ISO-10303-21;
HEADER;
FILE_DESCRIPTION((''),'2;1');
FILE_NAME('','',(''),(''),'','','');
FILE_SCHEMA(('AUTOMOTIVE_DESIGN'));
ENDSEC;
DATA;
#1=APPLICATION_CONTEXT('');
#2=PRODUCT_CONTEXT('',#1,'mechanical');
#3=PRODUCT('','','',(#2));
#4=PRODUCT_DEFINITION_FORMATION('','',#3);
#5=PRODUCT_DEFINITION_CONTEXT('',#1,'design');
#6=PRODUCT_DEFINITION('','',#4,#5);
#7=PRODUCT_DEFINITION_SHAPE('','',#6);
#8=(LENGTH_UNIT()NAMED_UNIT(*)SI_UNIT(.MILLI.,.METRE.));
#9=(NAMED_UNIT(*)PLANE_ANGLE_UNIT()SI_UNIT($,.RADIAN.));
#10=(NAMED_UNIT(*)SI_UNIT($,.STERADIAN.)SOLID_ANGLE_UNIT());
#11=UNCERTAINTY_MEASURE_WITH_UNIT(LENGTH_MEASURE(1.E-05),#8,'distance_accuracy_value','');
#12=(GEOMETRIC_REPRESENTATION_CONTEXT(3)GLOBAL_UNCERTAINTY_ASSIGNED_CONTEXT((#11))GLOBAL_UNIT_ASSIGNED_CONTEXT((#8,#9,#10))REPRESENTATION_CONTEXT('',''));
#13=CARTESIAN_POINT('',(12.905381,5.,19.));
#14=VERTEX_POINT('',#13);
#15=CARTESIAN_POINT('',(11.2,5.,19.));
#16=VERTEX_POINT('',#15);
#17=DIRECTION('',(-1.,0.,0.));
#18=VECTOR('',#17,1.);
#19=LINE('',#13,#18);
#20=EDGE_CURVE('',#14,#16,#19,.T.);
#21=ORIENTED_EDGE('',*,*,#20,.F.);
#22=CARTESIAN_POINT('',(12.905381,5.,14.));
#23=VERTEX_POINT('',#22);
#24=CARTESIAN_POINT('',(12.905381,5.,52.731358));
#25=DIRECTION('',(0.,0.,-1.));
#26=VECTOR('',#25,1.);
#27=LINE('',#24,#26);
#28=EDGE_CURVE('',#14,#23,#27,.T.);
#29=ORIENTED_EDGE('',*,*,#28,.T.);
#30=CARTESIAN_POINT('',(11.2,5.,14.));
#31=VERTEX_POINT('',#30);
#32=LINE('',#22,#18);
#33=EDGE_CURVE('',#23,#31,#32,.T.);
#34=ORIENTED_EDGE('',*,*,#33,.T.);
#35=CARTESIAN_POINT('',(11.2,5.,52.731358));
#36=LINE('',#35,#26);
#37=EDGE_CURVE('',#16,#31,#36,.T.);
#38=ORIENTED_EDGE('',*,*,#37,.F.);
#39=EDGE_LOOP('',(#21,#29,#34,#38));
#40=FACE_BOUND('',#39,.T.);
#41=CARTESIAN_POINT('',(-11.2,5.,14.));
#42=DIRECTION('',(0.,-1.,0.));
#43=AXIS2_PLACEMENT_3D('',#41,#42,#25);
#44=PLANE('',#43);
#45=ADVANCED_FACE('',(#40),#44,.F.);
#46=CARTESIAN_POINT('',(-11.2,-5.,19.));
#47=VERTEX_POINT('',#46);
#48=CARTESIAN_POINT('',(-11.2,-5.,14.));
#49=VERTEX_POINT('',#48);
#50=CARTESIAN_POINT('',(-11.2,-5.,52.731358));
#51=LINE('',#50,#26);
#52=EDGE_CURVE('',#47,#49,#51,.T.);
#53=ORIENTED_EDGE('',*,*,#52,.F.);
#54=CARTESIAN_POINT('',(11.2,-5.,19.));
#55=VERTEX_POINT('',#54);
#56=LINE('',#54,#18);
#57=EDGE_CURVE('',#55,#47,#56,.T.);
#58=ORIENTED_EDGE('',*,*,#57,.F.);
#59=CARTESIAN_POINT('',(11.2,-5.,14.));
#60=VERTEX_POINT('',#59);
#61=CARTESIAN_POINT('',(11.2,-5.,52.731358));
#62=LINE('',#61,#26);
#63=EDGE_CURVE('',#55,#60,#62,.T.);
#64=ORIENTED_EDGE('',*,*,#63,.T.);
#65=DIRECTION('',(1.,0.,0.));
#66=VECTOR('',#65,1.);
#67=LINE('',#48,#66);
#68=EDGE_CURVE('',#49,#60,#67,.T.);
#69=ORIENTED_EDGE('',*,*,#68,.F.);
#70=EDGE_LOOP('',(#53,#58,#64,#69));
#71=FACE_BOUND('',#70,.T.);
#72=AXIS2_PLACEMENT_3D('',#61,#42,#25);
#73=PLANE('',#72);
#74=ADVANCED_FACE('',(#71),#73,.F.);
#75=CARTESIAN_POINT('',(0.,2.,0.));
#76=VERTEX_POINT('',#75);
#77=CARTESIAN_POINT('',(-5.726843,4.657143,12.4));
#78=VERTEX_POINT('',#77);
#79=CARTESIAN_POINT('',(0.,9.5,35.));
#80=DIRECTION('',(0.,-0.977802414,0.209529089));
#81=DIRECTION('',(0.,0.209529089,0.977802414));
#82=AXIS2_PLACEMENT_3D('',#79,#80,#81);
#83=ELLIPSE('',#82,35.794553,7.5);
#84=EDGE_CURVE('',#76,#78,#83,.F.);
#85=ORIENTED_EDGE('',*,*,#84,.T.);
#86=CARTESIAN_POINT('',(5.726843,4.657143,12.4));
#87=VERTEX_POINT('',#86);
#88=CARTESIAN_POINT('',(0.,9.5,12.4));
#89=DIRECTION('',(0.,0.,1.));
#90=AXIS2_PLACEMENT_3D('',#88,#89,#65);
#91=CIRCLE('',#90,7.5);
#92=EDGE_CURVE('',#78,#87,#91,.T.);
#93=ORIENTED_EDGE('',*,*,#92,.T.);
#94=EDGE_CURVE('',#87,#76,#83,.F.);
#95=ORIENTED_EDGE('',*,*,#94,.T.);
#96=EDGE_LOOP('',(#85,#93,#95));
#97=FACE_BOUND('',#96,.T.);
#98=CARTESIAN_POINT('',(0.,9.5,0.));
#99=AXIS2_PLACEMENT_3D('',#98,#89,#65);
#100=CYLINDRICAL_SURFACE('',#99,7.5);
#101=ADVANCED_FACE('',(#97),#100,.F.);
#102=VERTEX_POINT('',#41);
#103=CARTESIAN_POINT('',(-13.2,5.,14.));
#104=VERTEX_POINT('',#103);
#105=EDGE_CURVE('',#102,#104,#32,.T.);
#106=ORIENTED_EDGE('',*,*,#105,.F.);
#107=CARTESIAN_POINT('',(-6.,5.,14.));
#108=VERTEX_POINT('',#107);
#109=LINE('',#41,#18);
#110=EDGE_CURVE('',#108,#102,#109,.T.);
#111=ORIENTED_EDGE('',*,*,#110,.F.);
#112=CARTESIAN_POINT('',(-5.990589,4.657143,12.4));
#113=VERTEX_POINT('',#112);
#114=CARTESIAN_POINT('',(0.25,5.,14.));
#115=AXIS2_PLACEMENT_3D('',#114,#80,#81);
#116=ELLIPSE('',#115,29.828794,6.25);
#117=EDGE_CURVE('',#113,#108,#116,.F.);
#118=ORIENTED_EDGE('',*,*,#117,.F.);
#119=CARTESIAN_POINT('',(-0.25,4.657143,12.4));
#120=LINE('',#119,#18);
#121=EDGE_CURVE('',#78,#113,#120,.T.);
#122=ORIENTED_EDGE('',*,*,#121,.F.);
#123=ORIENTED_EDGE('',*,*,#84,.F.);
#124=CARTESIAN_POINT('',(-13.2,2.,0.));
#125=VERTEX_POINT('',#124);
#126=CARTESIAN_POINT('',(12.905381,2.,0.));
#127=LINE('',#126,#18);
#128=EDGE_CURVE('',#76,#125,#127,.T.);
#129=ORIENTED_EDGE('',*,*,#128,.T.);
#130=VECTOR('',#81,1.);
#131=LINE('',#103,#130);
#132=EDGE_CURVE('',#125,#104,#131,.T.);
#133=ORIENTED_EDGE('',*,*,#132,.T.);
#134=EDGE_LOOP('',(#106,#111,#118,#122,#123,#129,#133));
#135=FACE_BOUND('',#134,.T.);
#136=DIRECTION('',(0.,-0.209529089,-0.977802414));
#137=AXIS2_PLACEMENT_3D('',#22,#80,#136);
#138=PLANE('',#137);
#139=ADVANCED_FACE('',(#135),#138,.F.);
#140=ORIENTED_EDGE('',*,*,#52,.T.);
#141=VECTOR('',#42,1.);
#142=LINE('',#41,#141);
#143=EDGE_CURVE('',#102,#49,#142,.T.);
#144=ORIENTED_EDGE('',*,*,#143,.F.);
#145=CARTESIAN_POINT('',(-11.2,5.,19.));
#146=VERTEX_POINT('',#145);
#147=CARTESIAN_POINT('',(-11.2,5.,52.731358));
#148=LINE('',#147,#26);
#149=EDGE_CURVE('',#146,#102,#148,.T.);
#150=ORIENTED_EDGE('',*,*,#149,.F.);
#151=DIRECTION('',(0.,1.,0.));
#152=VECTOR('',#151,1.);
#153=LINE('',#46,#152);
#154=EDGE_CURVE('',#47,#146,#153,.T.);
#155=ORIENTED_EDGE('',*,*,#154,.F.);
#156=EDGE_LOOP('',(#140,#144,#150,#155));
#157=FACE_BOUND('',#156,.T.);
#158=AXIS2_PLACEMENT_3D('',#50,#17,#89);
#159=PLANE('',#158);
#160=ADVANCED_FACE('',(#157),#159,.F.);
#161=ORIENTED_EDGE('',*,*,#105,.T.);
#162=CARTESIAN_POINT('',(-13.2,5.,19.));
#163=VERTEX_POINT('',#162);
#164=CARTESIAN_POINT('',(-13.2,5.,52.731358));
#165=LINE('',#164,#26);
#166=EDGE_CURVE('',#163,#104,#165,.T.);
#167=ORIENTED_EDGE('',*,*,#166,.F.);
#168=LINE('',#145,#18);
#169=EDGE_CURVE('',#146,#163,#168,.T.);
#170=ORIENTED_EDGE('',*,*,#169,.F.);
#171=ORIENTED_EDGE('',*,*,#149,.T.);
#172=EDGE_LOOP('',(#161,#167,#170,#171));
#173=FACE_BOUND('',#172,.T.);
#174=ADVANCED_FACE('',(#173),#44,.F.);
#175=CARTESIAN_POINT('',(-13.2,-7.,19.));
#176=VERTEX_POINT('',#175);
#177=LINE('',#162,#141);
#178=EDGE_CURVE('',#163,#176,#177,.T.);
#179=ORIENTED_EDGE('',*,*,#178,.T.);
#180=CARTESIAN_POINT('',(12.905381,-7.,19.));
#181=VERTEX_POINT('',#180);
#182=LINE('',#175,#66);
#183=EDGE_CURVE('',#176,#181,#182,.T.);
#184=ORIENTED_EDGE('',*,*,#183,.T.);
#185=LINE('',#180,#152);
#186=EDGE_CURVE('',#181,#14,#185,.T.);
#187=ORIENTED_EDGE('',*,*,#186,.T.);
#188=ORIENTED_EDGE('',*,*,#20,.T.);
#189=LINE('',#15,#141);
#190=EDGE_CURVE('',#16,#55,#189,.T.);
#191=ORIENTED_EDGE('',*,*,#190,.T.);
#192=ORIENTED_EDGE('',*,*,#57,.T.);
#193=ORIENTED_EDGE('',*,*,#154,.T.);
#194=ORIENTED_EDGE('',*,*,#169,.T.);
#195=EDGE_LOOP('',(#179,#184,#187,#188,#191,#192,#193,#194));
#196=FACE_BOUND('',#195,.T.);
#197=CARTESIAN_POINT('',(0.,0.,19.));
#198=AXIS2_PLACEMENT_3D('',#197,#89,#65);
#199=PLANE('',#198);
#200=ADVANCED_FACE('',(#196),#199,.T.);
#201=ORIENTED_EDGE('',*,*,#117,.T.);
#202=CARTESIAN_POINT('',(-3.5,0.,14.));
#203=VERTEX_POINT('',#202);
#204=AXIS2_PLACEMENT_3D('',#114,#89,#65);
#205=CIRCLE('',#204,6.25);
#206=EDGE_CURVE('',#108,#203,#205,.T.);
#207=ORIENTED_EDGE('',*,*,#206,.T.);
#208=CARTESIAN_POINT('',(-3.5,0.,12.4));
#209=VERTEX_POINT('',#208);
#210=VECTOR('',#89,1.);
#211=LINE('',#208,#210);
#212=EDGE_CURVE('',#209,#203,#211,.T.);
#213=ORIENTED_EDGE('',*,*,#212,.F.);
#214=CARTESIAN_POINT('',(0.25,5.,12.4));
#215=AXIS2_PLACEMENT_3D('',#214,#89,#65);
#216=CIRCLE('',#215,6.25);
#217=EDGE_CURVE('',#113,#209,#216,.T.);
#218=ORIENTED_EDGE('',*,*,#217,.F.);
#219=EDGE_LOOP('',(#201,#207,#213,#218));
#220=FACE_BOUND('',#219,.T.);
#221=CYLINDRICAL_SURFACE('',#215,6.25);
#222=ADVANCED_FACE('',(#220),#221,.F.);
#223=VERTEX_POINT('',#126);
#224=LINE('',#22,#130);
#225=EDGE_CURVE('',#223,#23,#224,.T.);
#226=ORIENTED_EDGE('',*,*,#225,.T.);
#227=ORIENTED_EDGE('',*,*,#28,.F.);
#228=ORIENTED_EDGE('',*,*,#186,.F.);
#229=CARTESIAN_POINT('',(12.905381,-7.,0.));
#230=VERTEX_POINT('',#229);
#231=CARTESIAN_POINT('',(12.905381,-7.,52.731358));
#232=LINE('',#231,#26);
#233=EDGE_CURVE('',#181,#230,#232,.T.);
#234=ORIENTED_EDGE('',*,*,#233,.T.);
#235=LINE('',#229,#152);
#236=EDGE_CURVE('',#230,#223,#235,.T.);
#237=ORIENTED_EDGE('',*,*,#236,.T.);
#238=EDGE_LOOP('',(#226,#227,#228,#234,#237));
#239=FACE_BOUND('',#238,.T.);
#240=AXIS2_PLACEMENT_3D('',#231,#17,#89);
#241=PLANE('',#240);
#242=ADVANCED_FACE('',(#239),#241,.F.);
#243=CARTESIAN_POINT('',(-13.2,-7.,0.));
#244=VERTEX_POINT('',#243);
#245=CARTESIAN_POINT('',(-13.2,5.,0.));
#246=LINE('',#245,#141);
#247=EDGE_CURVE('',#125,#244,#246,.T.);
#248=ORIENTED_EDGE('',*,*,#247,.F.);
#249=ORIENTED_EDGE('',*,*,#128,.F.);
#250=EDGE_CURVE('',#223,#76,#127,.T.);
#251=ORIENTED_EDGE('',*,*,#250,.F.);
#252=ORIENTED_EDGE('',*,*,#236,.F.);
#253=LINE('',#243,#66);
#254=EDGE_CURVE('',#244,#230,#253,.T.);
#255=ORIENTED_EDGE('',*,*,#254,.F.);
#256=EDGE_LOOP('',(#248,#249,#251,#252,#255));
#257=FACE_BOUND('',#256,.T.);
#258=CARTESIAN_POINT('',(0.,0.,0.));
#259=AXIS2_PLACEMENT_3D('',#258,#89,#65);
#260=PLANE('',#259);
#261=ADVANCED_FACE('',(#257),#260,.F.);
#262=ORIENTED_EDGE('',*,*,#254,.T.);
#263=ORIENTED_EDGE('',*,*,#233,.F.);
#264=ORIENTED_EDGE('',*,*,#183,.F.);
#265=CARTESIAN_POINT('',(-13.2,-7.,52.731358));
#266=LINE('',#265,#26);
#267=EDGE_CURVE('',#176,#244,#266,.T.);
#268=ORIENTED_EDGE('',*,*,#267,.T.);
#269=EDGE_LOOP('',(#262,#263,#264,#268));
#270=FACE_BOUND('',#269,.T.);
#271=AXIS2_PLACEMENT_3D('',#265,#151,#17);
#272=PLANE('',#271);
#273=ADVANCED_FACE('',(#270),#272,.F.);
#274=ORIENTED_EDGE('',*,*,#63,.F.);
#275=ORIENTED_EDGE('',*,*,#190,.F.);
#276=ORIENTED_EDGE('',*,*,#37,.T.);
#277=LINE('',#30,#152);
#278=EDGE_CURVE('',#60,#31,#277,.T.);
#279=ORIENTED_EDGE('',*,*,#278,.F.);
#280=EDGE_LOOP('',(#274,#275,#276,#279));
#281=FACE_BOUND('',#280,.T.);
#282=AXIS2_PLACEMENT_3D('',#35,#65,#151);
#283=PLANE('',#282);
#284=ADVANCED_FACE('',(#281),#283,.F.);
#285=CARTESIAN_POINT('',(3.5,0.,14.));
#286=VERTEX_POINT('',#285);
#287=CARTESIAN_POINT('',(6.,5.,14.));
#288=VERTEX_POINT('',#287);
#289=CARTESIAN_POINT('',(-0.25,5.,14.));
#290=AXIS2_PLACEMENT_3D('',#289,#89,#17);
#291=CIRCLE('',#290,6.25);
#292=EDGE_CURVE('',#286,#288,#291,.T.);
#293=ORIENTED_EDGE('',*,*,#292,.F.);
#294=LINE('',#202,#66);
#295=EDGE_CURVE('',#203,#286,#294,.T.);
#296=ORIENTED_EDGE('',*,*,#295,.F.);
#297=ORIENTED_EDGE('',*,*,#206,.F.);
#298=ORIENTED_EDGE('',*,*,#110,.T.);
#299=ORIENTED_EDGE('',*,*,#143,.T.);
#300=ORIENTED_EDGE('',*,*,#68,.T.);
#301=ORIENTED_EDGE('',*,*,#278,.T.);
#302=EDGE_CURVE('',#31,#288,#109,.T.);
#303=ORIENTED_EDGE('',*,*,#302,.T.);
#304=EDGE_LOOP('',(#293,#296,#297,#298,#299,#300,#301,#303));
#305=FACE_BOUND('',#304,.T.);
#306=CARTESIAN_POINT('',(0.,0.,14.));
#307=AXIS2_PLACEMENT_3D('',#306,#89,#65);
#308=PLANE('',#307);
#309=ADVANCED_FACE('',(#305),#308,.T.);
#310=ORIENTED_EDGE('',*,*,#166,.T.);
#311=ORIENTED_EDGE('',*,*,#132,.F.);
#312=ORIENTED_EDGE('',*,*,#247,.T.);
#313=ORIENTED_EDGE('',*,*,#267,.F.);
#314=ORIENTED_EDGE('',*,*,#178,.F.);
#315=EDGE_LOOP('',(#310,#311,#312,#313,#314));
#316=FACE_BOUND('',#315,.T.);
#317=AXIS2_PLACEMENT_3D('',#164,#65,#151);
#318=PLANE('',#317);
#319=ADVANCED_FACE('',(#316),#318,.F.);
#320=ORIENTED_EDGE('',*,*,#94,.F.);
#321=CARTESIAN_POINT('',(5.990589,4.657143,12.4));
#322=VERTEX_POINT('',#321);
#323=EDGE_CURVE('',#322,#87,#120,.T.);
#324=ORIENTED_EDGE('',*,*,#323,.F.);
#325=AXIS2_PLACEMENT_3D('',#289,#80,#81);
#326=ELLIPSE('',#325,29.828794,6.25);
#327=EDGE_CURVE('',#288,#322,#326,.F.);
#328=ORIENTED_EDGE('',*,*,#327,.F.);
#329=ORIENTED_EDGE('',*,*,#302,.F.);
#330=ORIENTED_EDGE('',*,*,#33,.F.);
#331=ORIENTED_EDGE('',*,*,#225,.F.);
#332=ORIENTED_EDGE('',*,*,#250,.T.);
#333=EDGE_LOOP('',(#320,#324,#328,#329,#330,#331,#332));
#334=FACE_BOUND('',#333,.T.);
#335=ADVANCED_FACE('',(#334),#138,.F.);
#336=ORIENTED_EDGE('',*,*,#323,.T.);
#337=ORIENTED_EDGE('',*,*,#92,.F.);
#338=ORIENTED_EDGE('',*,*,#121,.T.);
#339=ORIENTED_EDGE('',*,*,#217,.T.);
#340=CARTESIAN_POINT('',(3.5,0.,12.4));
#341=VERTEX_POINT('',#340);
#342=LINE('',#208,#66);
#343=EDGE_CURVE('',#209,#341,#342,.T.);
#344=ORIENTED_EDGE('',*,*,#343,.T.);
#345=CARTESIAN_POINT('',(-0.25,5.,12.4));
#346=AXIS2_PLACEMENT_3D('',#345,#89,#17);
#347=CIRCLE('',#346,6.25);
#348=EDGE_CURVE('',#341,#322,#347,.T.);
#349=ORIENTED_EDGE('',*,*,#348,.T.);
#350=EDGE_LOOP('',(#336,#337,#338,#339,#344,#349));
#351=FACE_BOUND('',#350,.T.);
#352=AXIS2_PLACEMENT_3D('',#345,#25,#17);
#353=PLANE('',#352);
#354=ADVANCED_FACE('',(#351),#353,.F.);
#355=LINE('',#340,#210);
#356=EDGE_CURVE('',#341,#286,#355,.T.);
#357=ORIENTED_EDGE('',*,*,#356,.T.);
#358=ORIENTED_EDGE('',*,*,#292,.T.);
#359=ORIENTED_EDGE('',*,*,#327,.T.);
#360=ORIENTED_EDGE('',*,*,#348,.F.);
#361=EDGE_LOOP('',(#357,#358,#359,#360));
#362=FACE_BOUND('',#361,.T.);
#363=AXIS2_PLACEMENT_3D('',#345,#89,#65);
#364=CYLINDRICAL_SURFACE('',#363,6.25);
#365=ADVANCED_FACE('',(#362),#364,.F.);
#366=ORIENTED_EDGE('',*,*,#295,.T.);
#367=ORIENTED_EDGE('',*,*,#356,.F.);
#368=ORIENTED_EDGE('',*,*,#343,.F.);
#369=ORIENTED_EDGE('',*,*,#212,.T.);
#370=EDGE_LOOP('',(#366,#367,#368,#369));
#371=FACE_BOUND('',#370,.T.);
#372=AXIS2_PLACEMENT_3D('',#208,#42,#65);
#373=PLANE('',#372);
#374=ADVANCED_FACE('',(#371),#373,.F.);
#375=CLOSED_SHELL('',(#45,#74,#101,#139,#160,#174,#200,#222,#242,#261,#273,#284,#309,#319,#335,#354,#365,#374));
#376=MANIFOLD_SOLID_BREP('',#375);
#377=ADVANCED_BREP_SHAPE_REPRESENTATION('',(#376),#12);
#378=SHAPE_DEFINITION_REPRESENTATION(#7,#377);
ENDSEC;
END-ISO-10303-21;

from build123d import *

# Parameters (mm, degrees)
SKETCH2_W           = 22.4
SKETCH2_H           = 10
BOSS_EXTRUDE1_DEPTH = 14
CUT_EXTRUDE2_DEPTH  = 1.6
CUT_EXTRUDE4_DEPTH  = 13.4
BOSS_EXTRUDE2_DEPTH = 19
CUT_EXTRUDE5_DEPTH  = 27.105381484


with BuildPart() as part:
    # Sketch2 → Boss-Extrude1 (new body)
    with BuildSketch(Plane.XY):
        Rectangle(SKETCH2_W, SKETCH2_H)
    extrude(amount=BOSS_EXTRUDE1_DEPTH)

    # Sketch3 → Cut-Extrude2 (cut)
    with BuildSketch(Plane.XY.offset(14)):
        with BuildLine():
            Line((-6, 5), (6, 5))
            ThreePointArc((6, 5), (5.340169944, 2.204915028), (3.5, 0))
            Line((3.5, 0), (-3.5, 0))
            ThreePointArc((-3.5, 0), (-5.340169944, 2.204915028), (-6, 5))
        make_face()
    extrude(amount=-CUT_EXTRUDE2_DEPTH, mode=Mode.SUBTRACT)

    # Sketch5 → Cut-Extrude4 (cut, through all)
    with BuildSketch(Plane.XY.offset(12.4)):
        with BuildLine():
            Line((-6, 5), (6, 5))
            ThreePointArc((6, 5), (0, 2), (-6, 5))
        make_face()
    extrude(amount=-CUT_EXTRUDE4_DEPTH, mode=Mode.SUBTRACT)

    # Sketch6 → Boss-Extrude2 (add)
    with BuildSketch(Plane.XY):
        Polygon((-11.2, 5), (-13.2, 5), (-13.2, -7), (12.905381484, -7), (12.905381484, 5), (11.2, 5), (11.2, -5), (-11.2, -5), align=None)
    extrude(amount=BOSS_EXTRUDE2_DEPTH)

    # Sketch7 → Cut-Extrude5 (cut, through all)
    with BuildSketch(Plane.ZY.offset(13.2)):
        Polygon((0, 5), (14, 5), (0, 2), align=None)
    extrude(amount=-CUT_EXTRUDE5_DEPTH, mode=Mode.SUBTRACT)


solid = part.part
